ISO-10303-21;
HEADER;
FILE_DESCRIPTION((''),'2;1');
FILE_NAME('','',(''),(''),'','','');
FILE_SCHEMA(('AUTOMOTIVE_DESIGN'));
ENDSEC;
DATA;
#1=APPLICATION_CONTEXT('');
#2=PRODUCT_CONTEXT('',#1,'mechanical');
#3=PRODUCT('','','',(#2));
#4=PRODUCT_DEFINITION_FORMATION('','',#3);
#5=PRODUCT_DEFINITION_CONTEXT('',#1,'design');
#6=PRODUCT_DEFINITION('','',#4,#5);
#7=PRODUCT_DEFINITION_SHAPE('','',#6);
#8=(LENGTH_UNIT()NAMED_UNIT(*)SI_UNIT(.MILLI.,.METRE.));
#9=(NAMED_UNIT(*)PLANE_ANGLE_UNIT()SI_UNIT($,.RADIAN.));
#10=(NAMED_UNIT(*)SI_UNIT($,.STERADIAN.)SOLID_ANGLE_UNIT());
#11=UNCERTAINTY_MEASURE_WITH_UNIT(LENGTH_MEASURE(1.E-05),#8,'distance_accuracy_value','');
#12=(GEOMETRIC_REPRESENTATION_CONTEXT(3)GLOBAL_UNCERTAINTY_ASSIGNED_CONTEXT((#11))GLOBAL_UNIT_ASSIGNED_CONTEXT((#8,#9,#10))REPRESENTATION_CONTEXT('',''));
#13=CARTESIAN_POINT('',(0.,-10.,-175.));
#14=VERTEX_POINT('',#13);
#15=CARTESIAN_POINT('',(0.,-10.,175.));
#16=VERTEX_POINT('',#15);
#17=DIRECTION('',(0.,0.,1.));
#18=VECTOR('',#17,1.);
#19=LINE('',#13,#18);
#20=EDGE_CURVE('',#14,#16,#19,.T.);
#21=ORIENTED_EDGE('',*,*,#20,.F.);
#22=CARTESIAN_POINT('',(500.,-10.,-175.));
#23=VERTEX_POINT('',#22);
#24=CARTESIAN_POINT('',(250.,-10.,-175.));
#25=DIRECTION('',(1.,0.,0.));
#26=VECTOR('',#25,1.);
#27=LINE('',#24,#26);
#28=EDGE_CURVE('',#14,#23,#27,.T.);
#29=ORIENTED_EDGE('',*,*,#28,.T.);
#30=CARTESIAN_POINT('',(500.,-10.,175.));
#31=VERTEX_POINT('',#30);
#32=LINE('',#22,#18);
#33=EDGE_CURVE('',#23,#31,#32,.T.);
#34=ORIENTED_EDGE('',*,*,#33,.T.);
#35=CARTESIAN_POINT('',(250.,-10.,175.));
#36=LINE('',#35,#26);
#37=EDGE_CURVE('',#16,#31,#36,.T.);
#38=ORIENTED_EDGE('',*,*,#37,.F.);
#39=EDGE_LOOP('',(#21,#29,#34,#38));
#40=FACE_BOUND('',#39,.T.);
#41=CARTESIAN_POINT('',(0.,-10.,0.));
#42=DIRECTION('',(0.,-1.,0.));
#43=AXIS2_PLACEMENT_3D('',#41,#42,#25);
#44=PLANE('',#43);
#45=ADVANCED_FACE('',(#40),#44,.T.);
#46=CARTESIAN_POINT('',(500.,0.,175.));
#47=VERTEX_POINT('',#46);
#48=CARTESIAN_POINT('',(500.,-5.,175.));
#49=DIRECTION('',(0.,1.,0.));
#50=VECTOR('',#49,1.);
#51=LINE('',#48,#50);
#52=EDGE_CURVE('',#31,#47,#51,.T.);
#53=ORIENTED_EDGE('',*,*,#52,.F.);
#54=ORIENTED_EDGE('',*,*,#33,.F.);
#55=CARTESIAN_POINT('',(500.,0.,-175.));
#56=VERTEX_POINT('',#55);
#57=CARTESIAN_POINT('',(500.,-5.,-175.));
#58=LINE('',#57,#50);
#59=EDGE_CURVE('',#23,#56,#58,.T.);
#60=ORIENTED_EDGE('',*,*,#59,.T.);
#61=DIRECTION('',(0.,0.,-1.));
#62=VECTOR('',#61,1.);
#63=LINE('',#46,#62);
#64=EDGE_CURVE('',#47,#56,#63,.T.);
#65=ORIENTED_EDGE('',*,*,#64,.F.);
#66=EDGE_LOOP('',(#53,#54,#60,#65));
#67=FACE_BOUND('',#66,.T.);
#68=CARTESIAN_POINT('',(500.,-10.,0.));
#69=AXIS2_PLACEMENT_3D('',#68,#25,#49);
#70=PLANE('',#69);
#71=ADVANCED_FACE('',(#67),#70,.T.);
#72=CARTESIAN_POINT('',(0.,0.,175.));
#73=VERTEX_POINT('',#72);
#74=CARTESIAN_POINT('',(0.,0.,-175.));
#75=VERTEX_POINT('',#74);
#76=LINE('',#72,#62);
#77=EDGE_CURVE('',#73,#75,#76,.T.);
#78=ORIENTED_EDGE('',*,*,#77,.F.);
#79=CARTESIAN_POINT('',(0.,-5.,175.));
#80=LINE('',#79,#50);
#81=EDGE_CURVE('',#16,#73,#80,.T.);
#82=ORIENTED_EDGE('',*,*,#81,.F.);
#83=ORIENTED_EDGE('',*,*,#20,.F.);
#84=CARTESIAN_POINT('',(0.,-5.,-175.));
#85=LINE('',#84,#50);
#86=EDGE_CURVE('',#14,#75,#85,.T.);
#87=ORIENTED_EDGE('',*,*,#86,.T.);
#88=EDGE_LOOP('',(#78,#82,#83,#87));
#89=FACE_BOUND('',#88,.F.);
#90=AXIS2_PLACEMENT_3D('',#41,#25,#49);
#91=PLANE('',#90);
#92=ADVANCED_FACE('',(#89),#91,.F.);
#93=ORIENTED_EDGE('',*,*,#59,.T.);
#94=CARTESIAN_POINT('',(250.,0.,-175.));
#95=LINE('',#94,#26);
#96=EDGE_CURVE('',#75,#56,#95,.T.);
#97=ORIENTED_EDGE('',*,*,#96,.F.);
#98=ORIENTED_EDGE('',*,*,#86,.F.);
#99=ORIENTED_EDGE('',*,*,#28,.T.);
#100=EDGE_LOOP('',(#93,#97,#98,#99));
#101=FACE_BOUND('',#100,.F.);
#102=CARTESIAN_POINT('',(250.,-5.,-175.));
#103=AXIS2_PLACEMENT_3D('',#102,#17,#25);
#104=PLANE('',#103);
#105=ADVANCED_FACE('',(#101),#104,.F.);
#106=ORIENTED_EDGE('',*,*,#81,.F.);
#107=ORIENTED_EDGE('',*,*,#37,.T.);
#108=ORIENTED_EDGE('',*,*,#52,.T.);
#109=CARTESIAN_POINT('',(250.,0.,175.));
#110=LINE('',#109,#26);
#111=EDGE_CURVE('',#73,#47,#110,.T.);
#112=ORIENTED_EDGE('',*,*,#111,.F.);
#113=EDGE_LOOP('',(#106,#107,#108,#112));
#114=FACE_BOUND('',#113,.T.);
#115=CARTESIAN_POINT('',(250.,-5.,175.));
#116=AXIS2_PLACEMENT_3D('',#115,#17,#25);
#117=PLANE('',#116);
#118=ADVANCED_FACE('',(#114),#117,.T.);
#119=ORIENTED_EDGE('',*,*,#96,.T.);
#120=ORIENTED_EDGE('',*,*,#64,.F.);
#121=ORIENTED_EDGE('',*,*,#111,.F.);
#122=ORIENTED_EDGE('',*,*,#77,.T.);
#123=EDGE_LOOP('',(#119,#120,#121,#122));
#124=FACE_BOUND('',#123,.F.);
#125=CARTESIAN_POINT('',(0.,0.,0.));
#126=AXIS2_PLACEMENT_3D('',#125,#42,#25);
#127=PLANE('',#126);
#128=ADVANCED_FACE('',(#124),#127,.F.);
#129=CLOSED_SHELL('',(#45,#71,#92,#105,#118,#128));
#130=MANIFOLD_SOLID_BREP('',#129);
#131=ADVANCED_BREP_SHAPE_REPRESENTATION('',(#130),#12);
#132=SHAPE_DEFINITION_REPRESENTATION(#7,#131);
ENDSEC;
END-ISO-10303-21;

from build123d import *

# Parameters (mm, degrees)
SKICA1_W                = 500
SKICA1_H                = 10
P_IDAT_VYSUNUT_M1_DEPTH = 175


with BuildPart() as part:
    # Skica1 → Přidat vysunutím1 (new body, symmetric)
    with BuildSketch(Plane.XY):
        with Locations((250, -5)):
            Rectangle(SKICA1_W, SKICA1_H)
    extrude(amount=P_IDAT_VYSUNUT_M1_DEPTH, both=True)


solid = part.part
